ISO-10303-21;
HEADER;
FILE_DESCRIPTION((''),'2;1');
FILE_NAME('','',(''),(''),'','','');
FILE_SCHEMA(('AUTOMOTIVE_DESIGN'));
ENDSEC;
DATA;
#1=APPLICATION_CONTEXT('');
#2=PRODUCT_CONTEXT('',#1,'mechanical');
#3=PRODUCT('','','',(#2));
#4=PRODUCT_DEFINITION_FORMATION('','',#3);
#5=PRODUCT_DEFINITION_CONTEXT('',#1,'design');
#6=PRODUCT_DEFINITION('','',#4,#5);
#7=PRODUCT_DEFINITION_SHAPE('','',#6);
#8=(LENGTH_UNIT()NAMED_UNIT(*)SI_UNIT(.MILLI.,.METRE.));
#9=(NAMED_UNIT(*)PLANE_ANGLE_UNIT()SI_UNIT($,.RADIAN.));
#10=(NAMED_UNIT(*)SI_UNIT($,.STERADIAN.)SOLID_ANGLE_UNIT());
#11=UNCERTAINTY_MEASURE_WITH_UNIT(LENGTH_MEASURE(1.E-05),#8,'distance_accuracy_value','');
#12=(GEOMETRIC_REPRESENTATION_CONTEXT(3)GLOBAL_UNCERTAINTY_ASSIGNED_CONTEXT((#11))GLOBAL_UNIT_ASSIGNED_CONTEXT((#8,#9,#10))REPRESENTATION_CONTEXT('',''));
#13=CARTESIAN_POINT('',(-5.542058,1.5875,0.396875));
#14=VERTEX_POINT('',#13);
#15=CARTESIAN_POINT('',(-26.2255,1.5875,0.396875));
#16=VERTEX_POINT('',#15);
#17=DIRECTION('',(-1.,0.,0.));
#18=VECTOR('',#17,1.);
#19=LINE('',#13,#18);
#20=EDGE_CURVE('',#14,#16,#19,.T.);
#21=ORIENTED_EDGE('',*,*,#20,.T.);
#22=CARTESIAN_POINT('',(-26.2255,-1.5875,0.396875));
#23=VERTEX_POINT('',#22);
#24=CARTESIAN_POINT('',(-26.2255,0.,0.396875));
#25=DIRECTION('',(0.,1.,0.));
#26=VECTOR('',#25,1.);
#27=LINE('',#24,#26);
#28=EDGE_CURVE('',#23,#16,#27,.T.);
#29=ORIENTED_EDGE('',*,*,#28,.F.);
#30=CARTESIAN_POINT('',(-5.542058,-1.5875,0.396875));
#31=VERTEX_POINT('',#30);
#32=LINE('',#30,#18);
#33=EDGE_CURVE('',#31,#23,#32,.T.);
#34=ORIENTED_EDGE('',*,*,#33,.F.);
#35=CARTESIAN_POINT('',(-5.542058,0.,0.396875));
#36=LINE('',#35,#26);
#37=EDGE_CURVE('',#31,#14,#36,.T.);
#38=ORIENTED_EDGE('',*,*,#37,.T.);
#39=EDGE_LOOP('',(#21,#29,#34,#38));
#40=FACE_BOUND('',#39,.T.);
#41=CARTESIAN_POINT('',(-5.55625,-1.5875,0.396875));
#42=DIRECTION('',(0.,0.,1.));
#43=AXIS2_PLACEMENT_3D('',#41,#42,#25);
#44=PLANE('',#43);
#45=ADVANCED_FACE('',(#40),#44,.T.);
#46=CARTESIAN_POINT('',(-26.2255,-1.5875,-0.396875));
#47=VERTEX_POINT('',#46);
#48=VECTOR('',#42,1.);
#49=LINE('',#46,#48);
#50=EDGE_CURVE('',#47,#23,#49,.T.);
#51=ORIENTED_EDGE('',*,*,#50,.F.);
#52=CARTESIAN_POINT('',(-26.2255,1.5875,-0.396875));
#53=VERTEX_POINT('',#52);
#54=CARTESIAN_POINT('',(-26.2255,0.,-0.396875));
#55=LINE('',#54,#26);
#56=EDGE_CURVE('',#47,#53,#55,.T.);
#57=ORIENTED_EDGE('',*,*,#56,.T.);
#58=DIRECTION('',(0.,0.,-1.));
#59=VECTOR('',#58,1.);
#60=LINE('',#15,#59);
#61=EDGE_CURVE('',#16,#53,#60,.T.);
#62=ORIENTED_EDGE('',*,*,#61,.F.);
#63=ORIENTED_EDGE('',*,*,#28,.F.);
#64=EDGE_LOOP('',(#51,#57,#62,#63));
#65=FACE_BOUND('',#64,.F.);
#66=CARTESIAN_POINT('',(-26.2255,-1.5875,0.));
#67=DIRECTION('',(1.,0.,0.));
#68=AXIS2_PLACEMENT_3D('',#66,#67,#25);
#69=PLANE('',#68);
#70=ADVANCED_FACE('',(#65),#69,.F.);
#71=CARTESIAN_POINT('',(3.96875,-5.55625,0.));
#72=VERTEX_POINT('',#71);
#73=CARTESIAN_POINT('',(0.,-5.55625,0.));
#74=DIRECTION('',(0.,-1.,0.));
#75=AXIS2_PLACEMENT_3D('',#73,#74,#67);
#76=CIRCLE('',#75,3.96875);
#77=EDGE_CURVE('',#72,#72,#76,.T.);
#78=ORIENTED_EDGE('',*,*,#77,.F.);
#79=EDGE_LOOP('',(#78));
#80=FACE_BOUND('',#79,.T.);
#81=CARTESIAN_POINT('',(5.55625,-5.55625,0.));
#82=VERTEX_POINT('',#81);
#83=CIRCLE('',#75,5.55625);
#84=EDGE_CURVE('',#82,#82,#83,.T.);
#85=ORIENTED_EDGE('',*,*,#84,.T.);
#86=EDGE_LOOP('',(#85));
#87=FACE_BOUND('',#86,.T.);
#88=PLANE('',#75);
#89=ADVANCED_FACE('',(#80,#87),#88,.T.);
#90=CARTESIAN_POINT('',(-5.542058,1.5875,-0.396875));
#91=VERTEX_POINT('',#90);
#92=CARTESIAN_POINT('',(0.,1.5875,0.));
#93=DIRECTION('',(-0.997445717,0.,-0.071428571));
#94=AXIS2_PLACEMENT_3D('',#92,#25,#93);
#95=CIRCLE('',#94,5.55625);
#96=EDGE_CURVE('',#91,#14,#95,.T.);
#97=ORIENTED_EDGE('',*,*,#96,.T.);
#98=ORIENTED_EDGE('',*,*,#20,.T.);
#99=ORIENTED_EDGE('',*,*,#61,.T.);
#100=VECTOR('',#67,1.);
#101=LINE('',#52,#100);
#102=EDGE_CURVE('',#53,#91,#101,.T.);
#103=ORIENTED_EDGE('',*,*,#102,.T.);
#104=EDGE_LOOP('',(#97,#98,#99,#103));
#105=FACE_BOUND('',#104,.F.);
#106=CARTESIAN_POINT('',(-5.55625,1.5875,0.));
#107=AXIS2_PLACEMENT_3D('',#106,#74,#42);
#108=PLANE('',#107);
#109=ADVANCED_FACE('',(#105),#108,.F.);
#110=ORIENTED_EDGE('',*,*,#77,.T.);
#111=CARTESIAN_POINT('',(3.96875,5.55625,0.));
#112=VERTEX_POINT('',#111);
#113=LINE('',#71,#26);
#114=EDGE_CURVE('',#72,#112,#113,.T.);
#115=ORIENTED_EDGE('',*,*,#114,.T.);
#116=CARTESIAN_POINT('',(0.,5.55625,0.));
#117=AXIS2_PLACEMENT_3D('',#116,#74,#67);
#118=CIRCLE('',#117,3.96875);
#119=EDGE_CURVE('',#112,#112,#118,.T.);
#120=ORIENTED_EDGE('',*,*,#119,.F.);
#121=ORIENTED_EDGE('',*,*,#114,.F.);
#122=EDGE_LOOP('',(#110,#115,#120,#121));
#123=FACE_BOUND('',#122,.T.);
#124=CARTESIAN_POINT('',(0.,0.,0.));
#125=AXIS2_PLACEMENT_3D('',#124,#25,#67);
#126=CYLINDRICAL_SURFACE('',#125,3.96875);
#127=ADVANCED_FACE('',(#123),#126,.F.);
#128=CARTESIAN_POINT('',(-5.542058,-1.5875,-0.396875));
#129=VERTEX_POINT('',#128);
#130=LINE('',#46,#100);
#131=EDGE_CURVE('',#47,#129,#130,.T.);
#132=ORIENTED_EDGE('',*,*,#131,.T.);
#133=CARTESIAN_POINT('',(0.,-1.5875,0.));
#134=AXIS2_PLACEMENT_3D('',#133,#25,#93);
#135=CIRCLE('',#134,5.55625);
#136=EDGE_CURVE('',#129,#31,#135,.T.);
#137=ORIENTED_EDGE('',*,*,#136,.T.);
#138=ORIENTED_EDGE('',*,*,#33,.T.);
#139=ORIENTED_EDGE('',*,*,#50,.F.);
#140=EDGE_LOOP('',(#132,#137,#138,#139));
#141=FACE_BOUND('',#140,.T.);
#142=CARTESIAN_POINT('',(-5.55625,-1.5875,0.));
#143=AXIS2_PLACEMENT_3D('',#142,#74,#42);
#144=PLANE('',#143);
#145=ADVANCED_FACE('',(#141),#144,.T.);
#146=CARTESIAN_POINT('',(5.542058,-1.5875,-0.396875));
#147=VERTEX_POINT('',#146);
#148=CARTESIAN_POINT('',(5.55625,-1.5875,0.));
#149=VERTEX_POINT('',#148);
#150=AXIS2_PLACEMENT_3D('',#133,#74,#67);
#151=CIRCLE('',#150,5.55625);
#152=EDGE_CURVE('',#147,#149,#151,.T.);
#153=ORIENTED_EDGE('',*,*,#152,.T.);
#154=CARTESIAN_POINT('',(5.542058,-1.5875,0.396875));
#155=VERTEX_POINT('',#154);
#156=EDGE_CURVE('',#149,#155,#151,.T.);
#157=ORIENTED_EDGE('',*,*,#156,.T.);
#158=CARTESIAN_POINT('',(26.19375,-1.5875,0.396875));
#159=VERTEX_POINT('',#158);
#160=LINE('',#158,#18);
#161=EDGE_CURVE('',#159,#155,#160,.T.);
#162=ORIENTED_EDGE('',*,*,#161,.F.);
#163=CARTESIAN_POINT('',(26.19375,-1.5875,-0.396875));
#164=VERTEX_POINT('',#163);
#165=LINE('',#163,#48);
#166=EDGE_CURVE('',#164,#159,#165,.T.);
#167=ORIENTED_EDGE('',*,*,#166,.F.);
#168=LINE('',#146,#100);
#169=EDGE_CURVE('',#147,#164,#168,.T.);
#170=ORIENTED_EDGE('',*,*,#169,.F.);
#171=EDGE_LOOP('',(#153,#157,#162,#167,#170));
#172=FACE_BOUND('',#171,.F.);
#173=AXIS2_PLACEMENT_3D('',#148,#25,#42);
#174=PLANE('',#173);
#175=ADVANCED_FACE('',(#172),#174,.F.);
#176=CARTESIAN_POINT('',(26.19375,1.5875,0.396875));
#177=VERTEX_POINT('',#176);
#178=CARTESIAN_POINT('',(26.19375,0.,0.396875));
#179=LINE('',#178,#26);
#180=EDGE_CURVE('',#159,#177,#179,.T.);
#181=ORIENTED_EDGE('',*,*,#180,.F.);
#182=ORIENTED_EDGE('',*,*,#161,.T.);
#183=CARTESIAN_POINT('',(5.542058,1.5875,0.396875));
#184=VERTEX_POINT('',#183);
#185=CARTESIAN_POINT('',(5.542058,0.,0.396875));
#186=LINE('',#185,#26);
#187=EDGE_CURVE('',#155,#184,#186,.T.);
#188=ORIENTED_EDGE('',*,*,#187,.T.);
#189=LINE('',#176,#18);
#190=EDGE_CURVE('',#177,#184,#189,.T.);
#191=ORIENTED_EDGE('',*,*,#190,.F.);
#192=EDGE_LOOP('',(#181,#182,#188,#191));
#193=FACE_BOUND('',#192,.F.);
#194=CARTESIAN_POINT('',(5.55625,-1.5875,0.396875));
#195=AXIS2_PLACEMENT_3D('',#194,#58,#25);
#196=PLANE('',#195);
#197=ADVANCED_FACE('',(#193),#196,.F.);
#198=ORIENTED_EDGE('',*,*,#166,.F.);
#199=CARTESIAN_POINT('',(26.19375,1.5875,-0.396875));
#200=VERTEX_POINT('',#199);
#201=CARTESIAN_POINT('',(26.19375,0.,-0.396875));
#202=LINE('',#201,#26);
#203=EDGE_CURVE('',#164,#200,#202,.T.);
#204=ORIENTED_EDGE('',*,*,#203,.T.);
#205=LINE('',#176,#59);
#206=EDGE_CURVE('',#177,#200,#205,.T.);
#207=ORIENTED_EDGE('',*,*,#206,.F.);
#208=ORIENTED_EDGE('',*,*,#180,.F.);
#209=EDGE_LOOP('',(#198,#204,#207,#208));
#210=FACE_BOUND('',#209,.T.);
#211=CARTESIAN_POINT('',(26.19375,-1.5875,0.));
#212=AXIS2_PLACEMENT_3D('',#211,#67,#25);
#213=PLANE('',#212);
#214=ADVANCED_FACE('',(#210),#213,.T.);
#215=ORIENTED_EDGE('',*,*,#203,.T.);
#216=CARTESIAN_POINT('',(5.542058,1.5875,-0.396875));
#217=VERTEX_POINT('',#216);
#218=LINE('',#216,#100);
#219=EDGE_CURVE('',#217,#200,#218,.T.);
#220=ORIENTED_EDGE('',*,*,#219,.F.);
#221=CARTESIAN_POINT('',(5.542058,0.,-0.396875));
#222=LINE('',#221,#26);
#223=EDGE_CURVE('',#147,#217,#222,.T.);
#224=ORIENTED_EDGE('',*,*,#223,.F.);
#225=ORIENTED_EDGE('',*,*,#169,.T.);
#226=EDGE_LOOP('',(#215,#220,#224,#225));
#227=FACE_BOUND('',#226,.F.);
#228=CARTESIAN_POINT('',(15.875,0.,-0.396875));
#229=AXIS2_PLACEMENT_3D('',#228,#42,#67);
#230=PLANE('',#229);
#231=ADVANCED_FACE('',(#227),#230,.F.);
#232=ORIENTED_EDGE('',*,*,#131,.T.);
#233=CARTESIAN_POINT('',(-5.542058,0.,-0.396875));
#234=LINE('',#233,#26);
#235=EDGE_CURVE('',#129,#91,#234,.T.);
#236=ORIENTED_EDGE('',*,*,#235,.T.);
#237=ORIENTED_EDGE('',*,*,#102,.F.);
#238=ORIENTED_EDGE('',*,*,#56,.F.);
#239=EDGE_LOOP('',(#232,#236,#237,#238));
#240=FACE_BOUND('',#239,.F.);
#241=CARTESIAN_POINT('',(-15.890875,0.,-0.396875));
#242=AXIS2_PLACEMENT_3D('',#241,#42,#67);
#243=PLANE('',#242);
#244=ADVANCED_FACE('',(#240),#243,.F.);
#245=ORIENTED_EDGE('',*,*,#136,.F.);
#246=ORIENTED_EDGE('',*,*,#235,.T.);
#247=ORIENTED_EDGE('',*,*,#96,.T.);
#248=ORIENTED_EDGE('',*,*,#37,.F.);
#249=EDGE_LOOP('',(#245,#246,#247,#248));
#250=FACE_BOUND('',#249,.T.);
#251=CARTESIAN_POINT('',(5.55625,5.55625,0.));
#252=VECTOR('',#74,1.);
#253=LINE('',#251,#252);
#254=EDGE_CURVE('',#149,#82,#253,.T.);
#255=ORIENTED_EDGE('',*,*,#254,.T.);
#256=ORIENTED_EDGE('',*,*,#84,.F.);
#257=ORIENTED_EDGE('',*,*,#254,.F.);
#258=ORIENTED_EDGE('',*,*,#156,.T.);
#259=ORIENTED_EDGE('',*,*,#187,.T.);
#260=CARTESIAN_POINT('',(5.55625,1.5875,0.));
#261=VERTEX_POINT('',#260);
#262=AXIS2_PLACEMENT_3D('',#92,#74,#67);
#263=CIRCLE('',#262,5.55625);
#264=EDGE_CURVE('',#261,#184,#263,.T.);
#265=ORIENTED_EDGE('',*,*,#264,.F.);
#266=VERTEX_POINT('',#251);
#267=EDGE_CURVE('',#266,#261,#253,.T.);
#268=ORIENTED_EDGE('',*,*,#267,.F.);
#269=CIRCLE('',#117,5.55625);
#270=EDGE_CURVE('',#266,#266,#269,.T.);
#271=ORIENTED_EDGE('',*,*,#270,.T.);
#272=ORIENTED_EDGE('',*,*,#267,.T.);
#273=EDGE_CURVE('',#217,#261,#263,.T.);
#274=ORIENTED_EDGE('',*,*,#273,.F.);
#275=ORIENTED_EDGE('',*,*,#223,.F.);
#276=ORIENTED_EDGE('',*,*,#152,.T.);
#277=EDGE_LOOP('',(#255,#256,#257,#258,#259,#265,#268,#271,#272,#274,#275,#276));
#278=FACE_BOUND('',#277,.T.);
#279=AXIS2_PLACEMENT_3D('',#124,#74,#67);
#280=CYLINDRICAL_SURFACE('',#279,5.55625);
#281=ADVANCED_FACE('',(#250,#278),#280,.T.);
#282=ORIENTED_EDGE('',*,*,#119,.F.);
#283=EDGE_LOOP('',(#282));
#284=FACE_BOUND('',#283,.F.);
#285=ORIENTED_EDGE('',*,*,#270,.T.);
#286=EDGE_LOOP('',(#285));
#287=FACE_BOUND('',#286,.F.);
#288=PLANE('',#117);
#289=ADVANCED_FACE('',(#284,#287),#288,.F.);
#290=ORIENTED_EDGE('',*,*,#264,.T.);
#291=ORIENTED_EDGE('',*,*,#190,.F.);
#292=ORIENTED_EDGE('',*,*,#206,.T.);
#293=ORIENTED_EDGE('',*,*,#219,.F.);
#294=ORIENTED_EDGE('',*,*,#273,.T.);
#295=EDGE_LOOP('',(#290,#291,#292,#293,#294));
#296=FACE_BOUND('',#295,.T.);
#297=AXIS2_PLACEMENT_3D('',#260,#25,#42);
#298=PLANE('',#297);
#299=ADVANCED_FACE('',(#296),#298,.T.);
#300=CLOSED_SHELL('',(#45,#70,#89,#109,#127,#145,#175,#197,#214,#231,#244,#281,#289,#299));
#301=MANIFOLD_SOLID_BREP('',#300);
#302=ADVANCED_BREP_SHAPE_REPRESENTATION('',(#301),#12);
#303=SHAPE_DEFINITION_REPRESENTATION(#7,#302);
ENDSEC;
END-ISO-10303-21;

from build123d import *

# Parameters (mm, degrees)
F0_R      = 5.55625
F0_R_2    = 3.96875
F1_DEPTH  = 5.55625
F3_DEPTH  = 5.55625
F4_DEPTH  = 5.55625
F2_W      = 20.6375
F2_H      = 3.175
F2_W_2    = 20.66925
F5_DEPTH  = 0.396875
F6_DEPTH  = 0.396875
F7_DEPTH  = 0.396875
F8_DEPTH  = 0.396875
F9_DEPTH  = 0.0141922326
F10_DEPTH = 0.0141922326


with BuildPart() as f1:
    # F0 (on Front) → F1 (new body)
    with BuildSketch(Plane.XZ):
        Circle(F0_R)
        Circle(F0_R_2, mode=Mode.SUBTRACT)
    extrude(amount=F1_DEPTH)

    # F0 (on Front) → F3 (join)
    with BuildSketch(Plane.XZ):
        Circle(F0_R)
        Circle(F0_R_2, mode=Mode.SUBTRACT)
    extrude(amount=F3_DEPTH)

    # F4 (add): a face of the model
    f4_faces = [f1.faces().sort_by_distance(p)[0] for p in [
        (-5.3990955179, 0, 0),
    ]]
    extrude(f4_faces, amount=F4_DEPTH)

    # F2 (on Top) → F5 (join)
    with BuildSketch(Plane.XY):
        with Locations((15.875, 0)):
            Rectangle(F2_W, F2_H)
        with Locations((-15.890875, 0)):
            Rectangle(F2_W_2, F2_H)
    extrude(amount=F5_DEPTH)

    # F6 (add): a face of the model
    f6_faces = [f1.faces().sort_by_distance(p)[0] for p in [
        (15.875, 0, 0),
    ]]
    extrude(f6_faces, amount=F6_DEPTH)

    # F2 (on Top) → F7 (join)
    with BuildSketch(Plane.XY):
        with Locations((-15.890875, 0)):
            Rectangle(F2_W_2, F2_H)
    extrude(amount=F7_DEPTH)

    # F8 (add): a face of the model
    f8_faces = [f1.faces().sort_by_distance(p)[0] for p in [
        (-15.890875, 0, 0),
    ]]
    extrude(f8_faces, amount=F8_DEPTH)

    # F9 (add, through all): faces of the model
    f9_faces = [f1.faces().sort_by_distance(p)[0] for p in [
        (5.55625, 0, 0.1984375),
        (5.55625, 0, -0.1984375),
    ]]
    extrude(f9_faces, amount=F9_DEPTH)

    # F10 (add, through all): faces of the model
    f10_faces = [f1.faces().sort_by_distance(p)[0] for p in [
        (-5.55625, 0, 0.1984375),
        (-5.55625, 0, -0.1984375),
    ]]
    extrude(f10_faces, amount=F10_DEPTH)

    # F11: union 


solid = f1.part
